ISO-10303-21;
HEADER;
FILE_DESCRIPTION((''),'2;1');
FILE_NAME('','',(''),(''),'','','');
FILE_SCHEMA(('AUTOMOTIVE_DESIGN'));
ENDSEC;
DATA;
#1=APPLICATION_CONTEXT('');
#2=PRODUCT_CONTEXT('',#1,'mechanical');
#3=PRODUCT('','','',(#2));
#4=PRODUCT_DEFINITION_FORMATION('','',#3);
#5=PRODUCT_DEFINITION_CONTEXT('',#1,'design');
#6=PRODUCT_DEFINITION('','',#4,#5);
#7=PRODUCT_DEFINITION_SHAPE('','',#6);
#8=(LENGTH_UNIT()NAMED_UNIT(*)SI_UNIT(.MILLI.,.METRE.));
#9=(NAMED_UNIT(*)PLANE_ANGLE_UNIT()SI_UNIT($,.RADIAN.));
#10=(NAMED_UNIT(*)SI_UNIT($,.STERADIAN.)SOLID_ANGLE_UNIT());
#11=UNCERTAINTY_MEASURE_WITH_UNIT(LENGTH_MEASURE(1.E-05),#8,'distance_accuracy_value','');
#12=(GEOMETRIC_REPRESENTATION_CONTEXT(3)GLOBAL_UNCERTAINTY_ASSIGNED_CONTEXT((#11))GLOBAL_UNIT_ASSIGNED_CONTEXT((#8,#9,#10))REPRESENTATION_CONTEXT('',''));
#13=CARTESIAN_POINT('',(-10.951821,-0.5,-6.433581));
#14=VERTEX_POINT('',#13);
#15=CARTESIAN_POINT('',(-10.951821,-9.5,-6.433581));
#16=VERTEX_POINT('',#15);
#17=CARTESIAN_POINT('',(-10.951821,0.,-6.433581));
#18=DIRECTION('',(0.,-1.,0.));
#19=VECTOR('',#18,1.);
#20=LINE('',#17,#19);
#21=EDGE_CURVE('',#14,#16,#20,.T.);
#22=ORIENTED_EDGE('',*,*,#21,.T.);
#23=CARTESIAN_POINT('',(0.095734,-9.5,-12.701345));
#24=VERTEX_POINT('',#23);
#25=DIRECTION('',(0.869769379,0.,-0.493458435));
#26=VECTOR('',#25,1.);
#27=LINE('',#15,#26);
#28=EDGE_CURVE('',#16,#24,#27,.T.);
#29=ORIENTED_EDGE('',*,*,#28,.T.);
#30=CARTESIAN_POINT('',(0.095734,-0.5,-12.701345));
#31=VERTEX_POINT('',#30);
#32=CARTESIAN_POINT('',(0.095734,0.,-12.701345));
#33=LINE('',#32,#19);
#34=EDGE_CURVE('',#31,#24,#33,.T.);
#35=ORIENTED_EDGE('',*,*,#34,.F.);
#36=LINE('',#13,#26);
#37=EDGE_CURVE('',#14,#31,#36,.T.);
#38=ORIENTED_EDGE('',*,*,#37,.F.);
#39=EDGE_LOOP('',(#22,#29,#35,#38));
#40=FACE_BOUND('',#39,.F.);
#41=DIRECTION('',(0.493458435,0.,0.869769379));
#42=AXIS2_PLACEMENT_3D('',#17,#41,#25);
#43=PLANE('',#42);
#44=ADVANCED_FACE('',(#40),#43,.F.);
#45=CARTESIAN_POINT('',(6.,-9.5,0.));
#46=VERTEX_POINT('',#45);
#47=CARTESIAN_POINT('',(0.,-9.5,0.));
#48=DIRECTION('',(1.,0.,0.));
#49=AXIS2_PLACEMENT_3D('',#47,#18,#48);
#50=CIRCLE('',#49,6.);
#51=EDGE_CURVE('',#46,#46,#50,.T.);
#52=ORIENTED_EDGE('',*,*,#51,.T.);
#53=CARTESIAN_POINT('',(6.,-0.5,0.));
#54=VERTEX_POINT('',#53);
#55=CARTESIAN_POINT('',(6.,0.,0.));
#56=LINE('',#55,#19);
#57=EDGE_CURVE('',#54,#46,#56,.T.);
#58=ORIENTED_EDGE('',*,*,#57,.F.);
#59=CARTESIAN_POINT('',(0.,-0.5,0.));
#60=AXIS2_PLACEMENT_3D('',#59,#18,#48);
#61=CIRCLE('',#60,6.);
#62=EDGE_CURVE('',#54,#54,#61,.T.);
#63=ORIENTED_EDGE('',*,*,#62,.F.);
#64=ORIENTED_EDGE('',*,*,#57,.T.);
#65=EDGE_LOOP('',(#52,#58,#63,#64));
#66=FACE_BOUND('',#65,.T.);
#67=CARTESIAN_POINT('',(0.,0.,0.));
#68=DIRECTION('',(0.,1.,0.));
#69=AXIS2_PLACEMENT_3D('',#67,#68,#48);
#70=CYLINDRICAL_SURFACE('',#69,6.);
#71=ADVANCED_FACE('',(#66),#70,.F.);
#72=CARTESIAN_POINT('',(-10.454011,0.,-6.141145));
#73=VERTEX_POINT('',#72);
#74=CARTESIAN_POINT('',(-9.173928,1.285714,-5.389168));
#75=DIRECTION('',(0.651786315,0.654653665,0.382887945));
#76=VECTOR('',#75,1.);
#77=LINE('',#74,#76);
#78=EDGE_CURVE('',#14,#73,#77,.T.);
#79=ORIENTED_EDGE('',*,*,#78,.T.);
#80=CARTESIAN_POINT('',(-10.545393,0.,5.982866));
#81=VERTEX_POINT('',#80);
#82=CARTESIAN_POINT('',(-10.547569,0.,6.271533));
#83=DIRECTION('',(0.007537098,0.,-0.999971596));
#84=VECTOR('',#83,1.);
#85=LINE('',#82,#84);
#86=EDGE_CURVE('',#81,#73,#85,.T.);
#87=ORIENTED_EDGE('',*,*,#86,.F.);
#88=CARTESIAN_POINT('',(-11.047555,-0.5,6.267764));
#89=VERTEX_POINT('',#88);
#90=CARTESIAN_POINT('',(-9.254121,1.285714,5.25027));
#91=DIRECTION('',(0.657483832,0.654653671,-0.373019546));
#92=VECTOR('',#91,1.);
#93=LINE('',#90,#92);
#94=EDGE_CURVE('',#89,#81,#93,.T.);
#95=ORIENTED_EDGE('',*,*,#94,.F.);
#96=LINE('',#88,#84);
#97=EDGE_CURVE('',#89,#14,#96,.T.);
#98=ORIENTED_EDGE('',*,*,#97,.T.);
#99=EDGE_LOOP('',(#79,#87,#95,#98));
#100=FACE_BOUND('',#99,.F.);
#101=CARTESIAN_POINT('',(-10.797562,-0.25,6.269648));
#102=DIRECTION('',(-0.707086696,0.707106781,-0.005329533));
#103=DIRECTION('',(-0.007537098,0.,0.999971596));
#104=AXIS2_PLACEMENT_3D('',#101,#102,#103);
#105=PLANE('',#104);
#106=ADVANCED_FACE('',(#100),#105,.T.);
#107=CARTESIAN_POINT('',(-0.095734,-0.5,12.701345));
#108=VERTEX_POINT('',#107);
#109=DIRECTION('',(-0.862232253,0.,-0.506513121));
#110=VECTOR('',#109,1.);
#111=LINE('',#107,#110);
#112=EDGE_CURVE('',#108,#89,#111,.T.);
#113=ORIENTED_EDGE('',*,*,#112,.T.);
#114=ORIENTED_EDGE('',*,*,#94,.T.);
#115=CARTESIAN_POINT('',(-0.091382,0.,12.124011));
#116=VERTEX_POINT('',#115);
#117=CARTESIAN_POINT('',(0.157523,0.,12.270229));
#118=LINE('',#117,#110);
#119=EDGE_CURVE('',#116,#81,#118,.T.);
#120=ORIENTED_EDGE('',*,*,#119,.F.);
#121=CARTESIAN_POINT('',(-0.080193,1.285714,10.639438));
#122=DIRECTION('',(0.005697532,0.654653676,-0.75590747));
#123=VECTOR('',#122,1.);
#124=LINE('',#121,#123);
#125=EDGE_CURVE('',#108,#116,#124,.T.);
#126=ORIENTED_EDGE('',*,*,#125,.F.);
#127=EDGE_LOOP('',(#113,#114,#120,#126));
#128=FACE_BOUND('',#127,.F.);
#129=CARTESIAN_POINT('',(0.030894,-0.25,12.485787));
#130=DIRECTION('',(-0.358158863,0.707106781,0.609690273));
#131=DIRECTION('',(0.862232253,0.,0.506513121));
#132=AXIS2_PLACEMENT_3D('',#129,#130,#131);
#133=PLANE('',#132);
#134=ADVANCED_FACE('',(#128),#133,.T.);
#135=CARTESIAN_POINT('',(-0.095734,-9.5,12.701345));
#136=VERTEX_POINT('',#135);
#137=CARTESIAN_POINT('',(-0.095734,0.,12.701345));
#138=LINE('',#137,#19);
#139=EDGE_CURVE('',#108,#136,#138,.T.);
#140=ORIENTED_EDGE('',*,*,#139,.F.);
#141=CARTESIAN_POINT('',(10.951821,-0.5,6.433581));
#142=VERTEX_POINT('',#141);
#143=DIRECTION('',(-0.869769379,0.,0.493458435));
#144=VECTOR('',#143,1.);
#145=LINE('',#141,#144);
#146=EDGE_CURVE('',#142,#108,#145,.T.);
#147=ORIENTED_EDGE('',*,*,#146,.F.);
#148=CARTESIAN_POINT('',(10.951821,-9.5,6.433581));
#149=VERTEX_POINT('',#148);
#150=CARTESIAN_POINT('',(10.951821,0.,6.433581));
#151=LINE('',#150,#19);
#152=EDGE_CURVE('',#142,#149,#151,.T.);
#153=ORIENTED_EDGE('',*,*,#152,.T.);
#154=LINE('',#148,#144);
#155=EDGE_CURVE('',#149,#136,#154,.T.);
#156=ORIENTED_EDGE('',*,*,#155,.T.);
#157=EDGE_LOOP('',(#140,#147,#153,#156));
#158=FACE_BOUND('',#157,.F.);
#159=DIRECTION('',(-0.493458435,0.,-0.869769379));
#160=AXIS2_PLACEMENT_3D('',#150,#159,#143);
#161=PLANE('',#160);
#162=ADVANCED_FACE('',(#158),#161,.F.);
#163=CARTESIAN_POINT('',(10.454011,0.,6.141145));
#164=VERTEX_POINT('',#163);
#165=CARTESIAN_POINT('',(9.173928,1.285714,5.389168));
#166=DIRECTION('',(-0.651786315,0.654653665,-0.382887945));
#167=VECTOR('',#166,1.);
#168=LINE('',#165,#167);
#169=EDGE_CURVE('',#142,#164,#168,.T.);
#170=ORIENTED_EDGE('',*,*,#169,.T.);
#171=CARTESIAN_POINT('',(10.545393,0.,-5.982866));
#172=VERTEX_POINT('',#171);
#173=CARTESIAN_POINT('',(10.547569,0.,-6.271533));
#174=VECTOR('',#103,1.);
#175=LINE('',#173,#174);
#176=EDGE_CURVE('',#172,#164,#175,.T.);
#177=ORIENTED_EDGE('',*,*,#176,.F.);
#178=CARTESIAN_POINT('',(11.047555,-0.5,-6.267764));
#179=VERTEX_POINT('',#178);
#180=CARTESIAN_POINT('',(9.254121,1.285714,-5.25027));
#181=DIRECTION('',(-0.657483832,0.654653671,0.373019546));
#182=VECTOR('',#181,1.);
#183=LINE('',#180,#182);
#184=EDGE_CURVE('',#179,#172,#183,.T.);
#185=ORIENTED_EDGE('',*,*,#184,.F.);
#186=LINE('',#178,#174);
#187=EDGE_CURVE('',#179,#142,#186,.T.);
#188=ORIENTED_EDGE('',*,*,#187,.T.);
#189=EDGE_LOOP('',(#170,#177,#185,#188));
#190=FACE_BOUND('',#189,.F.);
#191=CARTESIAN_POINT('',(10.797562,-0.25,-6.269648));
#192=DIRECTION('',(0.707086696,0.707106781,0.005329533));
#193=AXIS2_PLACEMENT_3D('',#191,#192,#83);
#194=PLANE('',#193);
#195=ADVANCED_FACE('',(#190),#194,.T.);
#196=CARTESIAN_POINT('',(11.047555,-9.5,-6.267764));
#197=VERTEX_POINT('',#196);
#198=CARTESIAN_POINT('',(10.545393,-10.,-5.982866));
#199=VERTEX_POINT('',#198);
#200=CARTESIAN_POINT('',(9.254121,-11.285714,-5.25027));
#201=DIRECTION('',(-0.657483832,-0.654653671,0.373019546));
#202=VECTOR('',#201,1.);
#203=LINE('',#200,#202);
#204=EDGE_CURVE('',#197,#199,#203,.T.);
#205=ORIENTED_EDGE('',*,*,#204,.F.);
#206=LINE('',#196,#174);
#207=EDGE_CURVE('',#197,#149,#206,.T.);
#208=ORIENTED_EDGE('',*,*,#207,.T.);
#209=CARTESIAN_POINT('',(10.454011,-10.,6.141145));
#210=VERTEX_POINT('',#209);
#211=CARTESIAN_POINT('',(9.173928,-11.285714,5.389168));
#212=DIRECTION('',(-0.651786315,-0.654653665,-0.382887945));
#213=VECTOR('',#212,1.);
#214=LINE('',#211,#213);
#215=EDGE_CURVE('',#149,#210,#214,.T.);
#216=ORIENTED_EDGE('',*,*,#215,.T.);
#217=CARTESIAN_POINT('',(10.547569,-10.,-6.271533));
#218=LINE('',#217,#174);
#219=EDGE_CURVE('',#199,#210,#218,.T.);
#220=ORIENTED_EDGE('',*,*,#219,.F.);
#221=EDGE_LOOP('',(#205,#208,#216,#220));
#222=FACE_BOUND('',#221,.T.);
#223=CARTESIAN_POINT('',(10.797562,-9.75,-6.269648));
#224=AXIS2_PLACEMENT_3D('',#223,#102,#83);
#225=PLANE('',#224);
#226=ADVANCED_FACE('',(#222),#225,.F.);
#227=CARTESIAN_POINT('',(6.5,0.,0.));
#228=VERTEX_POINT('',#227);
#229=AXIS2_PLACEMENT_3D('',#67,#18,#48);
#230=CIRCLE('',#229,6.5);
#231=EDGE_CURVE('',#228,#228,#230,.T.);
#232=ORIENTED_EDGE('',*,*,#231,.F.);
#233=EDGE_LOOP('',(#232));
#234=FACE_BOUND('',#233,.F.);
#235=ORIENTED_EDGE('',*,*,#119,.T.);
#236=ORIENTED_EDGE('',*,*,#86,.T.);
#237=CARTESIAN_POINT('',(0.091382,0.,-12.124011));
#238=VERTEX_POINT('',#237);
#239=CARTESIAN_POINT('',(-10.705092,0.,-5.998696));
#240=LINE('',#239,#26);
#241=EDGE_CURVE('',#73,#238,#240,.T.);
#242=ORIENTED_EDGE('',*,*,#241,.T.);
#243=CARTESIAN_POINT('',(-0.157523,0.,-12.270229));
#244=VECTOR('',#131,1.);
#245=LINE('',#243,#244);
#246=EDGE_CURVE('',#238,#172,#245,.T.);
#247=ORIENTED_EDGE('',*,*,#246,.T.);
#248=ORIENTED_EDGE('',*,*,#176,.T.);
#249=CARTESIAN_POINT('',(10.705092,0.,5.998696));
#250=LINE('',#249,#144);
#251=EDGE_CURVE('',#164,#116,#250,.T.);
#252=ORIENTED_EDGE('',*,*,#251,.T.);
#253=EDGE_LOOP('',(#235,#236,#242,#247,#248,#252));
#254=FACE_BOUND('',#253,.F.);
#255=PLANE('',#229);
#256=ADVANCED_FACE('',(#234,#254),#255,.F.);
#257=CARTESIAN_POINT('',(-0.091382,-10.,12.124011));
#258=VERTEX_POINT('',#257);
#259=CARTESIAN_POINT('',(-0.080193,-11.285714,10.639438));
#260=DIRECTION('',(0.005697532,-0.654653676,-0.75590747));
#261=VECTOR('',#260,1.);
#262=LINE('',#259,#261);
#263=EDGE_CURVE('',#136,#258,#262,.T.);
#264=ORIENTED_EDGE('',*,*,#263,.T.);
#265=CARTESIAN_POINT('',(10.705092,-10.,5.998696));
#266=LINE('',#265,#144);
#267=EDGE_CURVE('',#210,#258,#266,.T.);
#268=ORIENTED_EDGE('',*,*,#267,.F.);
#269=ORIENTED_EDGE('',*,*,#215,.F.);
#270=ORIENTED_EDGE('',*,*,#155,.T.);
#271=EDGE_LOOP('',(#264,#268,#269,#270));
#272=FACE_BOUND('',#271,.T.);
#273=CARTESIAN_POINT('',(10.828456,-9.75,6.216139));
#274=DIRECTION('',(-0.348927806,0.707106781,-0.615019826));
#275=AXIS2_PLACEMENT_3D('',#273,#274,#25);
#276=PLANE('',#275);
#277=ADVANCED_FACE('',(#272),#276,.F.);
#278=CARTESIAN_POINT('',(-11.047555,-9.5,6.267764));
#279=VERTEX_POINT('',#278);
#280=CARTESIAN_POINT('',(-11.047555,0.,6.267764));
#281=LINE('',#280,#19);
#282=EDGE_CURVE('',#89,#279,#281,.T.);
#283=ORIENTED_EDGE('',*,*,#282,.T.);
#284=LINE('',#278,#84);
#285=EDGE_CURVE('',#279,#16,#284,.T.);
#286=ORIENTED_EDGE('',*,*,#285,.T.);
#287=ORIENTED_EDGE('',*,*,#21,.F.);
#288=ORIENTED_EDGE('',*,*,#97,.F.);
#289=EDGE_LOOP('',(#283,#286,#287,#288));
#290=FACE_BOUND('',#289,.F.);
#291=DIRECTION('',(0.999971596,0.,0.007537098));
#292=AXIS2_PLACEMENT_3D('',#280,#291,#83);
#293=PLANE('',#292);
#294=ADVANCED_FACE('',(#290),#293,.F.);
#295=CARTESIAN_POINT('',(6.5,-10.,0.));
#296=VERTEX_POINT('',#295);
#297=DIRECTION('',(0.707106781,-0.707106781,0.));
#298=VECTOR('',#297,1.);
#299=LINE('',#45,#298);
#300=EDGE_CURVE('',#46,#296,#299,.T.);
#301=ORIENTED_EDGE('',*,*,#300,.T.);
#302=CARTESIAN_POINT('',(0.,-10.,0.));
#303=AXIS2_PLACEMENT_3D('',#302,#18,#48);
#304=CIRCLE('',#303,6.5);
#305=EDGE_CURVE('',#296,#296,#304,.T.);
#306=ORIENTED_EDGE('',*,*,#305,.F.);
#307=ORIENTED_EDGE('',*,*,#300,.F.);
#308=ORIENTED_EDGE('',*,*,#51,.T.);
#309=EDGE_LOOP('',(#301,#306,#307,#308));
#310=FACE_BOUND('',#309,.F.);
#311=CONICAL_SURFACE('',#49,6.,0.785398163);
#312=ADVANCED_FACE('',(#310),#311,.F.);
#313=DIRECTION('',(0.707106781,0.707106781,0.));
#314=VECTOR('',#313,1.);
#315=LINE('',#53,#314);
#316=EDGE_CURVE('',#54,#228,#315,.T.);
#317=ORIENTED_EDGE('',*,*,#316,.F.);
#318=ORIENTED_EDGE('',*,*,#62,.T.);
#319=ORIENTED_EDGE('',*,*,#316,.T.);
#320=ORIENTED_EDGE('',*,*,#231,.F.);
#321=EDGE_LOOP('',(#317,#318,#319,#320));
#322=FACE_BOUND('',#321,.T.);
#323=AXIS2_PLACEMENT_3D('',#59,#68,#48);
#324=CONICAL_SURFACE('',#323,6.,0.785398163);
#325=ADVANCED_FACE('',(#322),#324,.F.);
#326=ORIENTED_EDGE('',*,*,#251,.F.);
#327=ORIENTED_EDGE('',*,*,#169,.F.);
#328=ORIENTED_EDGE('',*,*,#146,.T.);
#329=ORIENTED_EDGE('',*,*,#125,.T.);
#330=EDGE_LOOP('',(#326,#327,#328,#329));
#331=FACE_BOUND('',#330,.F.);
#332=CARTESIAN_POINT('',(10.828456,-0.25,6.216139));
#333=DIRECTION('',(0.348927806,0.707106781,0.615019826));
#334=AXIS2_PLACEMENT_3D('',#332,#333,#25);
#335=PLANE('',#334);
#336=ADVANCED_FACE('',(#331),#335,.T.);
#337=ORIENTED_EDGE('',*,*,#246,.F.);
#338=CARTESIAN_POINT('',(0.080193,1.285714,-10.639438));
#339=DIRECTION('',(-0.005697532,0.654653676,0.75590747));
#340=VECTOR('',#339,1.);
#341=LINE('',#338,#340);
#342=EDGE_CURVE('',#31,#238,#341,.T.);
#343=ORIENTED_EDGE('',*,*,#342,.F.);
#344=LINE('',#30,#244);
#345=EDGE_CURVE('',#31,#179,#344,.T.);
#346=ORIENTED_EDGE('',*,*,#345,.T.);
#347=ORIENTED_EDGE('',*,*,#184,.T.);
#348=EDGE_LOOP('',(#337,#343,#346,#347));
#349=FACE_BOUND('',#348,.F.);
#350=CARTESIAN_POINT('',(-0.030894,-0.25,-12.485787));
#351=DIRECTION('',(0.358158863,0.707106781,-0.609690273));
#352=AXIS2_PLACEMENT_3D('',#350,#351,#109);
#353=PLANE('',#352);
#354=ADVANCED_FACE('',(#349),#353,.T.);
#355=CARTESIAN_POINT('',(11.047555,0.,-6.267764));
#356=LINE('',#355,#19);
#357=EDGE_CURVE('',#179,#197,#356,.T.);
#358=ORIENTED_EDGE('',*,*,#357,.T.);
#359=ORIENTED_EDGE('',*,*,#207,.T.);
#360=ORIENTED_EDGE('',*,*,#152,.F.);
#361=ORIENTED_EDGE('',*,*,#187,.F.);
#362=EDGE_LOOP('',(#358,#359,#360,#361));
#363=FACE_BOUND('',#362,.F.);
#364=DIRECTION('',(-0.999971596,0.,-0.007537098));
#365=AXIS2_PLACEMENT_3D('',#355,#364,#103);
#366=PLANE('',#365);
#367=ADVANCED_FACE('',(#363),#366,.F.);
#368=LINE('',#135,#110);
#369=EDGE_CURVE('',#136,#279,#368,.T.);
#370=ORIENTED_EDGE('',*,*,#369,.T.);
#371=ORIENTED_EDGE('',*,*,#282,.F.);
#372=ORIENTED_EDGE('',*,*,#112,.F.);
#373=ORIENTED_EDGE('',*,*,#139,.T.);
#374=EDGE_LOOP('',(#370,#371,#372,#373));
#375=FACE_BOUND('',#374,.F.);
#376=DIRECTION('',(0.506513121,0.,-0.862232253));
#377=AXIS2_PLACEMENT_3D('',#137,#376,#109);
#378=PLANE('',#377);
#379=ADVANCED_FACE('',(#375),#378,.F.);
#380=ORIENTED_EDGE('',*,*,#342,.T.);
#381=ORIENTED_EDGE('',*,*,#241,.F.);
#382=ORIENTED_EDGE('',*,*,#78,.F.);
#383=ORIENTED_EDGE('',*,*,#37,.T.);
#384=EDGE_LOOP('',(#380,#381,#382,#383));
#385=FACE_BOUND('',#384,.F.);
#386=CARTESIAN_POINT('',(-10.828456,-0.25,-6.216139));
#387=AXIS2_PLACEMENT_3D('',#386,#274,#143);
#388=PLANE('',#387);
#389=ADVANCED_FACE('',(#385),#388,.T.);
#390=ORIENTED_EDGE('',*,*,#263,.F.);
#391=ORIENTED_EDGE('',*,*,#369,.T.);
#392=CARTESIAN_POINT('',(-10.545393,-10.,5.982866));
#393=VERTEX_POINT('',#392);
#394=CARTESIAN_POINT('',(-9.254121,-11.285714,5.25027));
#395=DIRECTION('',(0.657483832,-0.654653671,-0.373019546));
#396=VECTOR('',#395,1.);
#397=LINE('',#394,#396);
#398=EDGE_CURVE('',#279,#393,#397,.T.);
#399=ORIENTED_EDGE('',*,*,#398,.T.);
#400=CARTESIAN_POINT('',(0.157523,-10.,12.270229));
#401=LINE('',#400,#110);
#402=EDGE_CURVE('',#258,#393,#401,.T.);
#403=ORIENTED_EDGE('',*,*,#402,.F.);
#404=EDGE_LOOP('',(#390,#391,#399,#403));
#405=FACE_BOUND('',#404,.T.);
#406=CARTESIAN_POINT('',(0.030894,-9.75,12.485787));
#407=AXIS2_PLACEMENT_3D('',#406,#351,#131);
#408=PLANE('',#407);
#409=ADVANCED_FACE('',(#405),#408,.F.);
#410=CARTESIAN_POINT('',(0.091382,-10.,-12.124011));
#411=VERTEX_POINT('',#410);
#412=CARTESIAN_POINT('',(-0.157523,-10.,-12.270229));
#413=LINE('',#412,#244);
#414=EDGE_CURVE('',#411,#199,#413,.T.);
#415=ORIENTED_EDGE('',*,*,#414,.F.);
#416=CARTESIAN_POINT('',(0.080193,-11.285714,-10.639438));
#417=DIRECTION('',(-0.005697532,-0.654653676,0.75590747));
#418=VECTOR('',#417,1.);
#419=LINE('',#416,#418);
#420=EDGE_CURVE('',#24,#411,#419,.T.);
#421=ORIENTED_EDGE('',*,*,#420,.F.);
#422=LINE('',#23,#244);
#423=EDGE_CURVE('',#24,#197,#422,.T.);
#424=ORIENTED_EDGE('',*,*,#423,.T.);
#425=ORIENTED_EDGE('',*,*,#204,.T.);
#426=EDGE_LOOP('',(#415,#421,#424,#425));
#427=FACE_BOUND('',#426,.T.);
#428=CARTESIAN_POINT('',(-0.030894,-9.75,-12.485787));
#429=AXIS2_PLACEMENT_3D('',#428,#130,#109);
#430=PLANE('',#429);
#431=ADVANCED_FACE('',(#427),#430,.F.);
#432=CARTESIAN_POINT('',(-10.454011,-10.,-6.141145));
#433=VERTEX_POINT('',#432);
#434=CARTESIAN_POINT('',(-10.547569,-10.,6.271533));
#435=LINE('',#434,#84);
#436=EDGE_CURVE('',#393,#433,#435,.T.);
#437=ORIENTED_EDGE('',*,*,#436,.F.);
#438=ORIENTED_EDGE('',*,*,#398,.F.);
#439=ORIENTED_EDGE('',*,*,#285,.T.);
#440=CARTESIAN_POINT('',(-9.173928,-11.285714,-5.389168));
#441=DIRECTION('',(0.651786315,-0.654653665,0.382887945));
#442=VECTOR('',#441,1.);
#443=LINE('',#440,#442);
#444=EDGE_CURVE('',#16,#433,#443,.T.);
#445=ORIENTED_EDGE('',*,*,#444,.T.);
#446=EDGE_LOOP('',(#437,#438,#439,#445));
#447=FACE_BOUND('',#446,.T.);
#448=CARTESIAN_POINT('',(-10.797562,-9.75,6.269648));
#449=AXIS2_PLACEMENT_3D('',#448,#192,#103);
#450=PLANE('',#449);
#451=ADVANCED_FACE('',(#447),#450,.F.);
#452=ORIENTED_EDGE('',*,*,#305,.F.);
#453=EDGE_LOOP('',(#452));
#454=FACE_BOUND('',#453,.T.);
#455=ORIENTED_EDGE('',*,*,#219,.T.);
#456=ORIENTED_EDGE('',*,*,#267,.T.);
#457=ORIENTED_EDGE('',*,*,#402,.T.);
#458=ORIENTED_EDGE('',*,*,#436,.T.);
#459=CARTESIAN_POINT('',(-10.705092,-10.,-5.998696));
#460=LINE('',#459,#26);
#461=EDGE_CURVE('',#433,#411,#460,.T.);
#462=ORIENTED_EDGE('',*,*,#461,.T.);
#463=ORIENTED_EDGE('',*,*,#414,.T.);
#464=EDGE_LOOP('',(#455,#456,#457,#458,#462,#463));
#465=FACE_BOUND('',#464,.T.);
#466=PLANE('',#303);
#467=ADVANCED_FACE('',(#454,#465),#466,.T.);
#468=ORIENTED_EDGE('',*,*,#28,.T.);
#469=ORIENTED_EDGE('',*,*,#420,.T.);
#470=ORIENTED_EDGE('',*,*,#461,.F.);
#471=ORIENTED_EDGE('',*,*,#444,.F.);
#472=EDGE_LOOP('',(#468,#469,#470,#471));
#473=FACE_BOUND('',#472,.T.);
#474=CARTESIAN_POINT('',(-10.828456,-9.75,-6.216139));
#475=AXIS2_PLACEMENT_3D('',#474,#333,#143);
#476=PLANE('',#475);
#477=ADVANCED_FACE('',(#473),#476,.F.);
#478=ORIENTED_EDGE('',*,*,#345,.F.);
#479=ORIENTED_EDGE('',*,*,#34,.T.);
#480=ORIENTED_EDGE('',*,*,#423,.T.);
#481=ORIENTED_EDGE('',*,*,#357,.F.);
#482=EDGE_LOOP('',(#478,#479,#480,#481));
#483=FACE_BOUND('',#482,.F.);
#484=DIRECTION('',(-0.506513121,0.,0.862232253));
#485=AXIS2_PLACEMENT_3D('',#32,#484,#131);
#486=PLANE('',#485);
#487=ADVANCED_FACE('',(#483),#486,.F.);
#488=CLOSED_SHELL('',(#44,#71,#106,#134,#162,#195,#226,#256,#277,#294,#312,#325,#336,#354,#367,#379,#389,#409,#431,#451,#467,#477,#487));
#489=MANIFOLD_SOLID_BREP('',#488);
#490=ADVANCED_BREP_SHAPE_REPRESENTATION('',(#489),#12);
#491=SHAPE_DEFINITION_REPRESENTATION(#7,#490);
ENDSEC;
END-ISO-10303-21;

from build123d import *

# Parameters (mm, degrees)
F0_R     = 6
F1_DEPTH = 10
F2_SIZE  = 0.5


with BuildPart() as f1:
    # F0 (on Front) → F1 (new body)
    with BuildSketch(Plane.XZ):
        Polygon((-0.095734, 12.701345), (-11.047555, 6.267764), (-10.951821, -6.433581), (0.095734, -12.701345), (11.047555, -6.267764), (10.951821, 6.433581), align=None)
        Circle(F0_R, mode=Mode.SUBTRACT)
    extrude(amount=F1_DEPTH)

    # F2
    f2_edges = [f1.edges().sort_by_distance(p)[0] for p in [
        (5.428043, 0, 9.567463),
        (-5.571644, 0, 9.484555),
        (-10.999688, 0, -0.082908),
        (-5.428043, 0, -9.567463),
        (5.571644, 0, -9.484555),
        (10.999688, 0, 0.082908),
        (5.428043, -10, 9.567463),
        (-5.571644, -10, 9.484555),
        (-10.999688, -10, -0.082908),
        (-5.428043, -10, -9.567463),
        (5.571644, -10, -9.484555),
        (10.999688, -10, 0.082908),
        (-6, -10, 0),
        (-6, 0, 0),
    ]]
    chamfer(f2_edges, length=F2_SIZE)


solid = f1.part
